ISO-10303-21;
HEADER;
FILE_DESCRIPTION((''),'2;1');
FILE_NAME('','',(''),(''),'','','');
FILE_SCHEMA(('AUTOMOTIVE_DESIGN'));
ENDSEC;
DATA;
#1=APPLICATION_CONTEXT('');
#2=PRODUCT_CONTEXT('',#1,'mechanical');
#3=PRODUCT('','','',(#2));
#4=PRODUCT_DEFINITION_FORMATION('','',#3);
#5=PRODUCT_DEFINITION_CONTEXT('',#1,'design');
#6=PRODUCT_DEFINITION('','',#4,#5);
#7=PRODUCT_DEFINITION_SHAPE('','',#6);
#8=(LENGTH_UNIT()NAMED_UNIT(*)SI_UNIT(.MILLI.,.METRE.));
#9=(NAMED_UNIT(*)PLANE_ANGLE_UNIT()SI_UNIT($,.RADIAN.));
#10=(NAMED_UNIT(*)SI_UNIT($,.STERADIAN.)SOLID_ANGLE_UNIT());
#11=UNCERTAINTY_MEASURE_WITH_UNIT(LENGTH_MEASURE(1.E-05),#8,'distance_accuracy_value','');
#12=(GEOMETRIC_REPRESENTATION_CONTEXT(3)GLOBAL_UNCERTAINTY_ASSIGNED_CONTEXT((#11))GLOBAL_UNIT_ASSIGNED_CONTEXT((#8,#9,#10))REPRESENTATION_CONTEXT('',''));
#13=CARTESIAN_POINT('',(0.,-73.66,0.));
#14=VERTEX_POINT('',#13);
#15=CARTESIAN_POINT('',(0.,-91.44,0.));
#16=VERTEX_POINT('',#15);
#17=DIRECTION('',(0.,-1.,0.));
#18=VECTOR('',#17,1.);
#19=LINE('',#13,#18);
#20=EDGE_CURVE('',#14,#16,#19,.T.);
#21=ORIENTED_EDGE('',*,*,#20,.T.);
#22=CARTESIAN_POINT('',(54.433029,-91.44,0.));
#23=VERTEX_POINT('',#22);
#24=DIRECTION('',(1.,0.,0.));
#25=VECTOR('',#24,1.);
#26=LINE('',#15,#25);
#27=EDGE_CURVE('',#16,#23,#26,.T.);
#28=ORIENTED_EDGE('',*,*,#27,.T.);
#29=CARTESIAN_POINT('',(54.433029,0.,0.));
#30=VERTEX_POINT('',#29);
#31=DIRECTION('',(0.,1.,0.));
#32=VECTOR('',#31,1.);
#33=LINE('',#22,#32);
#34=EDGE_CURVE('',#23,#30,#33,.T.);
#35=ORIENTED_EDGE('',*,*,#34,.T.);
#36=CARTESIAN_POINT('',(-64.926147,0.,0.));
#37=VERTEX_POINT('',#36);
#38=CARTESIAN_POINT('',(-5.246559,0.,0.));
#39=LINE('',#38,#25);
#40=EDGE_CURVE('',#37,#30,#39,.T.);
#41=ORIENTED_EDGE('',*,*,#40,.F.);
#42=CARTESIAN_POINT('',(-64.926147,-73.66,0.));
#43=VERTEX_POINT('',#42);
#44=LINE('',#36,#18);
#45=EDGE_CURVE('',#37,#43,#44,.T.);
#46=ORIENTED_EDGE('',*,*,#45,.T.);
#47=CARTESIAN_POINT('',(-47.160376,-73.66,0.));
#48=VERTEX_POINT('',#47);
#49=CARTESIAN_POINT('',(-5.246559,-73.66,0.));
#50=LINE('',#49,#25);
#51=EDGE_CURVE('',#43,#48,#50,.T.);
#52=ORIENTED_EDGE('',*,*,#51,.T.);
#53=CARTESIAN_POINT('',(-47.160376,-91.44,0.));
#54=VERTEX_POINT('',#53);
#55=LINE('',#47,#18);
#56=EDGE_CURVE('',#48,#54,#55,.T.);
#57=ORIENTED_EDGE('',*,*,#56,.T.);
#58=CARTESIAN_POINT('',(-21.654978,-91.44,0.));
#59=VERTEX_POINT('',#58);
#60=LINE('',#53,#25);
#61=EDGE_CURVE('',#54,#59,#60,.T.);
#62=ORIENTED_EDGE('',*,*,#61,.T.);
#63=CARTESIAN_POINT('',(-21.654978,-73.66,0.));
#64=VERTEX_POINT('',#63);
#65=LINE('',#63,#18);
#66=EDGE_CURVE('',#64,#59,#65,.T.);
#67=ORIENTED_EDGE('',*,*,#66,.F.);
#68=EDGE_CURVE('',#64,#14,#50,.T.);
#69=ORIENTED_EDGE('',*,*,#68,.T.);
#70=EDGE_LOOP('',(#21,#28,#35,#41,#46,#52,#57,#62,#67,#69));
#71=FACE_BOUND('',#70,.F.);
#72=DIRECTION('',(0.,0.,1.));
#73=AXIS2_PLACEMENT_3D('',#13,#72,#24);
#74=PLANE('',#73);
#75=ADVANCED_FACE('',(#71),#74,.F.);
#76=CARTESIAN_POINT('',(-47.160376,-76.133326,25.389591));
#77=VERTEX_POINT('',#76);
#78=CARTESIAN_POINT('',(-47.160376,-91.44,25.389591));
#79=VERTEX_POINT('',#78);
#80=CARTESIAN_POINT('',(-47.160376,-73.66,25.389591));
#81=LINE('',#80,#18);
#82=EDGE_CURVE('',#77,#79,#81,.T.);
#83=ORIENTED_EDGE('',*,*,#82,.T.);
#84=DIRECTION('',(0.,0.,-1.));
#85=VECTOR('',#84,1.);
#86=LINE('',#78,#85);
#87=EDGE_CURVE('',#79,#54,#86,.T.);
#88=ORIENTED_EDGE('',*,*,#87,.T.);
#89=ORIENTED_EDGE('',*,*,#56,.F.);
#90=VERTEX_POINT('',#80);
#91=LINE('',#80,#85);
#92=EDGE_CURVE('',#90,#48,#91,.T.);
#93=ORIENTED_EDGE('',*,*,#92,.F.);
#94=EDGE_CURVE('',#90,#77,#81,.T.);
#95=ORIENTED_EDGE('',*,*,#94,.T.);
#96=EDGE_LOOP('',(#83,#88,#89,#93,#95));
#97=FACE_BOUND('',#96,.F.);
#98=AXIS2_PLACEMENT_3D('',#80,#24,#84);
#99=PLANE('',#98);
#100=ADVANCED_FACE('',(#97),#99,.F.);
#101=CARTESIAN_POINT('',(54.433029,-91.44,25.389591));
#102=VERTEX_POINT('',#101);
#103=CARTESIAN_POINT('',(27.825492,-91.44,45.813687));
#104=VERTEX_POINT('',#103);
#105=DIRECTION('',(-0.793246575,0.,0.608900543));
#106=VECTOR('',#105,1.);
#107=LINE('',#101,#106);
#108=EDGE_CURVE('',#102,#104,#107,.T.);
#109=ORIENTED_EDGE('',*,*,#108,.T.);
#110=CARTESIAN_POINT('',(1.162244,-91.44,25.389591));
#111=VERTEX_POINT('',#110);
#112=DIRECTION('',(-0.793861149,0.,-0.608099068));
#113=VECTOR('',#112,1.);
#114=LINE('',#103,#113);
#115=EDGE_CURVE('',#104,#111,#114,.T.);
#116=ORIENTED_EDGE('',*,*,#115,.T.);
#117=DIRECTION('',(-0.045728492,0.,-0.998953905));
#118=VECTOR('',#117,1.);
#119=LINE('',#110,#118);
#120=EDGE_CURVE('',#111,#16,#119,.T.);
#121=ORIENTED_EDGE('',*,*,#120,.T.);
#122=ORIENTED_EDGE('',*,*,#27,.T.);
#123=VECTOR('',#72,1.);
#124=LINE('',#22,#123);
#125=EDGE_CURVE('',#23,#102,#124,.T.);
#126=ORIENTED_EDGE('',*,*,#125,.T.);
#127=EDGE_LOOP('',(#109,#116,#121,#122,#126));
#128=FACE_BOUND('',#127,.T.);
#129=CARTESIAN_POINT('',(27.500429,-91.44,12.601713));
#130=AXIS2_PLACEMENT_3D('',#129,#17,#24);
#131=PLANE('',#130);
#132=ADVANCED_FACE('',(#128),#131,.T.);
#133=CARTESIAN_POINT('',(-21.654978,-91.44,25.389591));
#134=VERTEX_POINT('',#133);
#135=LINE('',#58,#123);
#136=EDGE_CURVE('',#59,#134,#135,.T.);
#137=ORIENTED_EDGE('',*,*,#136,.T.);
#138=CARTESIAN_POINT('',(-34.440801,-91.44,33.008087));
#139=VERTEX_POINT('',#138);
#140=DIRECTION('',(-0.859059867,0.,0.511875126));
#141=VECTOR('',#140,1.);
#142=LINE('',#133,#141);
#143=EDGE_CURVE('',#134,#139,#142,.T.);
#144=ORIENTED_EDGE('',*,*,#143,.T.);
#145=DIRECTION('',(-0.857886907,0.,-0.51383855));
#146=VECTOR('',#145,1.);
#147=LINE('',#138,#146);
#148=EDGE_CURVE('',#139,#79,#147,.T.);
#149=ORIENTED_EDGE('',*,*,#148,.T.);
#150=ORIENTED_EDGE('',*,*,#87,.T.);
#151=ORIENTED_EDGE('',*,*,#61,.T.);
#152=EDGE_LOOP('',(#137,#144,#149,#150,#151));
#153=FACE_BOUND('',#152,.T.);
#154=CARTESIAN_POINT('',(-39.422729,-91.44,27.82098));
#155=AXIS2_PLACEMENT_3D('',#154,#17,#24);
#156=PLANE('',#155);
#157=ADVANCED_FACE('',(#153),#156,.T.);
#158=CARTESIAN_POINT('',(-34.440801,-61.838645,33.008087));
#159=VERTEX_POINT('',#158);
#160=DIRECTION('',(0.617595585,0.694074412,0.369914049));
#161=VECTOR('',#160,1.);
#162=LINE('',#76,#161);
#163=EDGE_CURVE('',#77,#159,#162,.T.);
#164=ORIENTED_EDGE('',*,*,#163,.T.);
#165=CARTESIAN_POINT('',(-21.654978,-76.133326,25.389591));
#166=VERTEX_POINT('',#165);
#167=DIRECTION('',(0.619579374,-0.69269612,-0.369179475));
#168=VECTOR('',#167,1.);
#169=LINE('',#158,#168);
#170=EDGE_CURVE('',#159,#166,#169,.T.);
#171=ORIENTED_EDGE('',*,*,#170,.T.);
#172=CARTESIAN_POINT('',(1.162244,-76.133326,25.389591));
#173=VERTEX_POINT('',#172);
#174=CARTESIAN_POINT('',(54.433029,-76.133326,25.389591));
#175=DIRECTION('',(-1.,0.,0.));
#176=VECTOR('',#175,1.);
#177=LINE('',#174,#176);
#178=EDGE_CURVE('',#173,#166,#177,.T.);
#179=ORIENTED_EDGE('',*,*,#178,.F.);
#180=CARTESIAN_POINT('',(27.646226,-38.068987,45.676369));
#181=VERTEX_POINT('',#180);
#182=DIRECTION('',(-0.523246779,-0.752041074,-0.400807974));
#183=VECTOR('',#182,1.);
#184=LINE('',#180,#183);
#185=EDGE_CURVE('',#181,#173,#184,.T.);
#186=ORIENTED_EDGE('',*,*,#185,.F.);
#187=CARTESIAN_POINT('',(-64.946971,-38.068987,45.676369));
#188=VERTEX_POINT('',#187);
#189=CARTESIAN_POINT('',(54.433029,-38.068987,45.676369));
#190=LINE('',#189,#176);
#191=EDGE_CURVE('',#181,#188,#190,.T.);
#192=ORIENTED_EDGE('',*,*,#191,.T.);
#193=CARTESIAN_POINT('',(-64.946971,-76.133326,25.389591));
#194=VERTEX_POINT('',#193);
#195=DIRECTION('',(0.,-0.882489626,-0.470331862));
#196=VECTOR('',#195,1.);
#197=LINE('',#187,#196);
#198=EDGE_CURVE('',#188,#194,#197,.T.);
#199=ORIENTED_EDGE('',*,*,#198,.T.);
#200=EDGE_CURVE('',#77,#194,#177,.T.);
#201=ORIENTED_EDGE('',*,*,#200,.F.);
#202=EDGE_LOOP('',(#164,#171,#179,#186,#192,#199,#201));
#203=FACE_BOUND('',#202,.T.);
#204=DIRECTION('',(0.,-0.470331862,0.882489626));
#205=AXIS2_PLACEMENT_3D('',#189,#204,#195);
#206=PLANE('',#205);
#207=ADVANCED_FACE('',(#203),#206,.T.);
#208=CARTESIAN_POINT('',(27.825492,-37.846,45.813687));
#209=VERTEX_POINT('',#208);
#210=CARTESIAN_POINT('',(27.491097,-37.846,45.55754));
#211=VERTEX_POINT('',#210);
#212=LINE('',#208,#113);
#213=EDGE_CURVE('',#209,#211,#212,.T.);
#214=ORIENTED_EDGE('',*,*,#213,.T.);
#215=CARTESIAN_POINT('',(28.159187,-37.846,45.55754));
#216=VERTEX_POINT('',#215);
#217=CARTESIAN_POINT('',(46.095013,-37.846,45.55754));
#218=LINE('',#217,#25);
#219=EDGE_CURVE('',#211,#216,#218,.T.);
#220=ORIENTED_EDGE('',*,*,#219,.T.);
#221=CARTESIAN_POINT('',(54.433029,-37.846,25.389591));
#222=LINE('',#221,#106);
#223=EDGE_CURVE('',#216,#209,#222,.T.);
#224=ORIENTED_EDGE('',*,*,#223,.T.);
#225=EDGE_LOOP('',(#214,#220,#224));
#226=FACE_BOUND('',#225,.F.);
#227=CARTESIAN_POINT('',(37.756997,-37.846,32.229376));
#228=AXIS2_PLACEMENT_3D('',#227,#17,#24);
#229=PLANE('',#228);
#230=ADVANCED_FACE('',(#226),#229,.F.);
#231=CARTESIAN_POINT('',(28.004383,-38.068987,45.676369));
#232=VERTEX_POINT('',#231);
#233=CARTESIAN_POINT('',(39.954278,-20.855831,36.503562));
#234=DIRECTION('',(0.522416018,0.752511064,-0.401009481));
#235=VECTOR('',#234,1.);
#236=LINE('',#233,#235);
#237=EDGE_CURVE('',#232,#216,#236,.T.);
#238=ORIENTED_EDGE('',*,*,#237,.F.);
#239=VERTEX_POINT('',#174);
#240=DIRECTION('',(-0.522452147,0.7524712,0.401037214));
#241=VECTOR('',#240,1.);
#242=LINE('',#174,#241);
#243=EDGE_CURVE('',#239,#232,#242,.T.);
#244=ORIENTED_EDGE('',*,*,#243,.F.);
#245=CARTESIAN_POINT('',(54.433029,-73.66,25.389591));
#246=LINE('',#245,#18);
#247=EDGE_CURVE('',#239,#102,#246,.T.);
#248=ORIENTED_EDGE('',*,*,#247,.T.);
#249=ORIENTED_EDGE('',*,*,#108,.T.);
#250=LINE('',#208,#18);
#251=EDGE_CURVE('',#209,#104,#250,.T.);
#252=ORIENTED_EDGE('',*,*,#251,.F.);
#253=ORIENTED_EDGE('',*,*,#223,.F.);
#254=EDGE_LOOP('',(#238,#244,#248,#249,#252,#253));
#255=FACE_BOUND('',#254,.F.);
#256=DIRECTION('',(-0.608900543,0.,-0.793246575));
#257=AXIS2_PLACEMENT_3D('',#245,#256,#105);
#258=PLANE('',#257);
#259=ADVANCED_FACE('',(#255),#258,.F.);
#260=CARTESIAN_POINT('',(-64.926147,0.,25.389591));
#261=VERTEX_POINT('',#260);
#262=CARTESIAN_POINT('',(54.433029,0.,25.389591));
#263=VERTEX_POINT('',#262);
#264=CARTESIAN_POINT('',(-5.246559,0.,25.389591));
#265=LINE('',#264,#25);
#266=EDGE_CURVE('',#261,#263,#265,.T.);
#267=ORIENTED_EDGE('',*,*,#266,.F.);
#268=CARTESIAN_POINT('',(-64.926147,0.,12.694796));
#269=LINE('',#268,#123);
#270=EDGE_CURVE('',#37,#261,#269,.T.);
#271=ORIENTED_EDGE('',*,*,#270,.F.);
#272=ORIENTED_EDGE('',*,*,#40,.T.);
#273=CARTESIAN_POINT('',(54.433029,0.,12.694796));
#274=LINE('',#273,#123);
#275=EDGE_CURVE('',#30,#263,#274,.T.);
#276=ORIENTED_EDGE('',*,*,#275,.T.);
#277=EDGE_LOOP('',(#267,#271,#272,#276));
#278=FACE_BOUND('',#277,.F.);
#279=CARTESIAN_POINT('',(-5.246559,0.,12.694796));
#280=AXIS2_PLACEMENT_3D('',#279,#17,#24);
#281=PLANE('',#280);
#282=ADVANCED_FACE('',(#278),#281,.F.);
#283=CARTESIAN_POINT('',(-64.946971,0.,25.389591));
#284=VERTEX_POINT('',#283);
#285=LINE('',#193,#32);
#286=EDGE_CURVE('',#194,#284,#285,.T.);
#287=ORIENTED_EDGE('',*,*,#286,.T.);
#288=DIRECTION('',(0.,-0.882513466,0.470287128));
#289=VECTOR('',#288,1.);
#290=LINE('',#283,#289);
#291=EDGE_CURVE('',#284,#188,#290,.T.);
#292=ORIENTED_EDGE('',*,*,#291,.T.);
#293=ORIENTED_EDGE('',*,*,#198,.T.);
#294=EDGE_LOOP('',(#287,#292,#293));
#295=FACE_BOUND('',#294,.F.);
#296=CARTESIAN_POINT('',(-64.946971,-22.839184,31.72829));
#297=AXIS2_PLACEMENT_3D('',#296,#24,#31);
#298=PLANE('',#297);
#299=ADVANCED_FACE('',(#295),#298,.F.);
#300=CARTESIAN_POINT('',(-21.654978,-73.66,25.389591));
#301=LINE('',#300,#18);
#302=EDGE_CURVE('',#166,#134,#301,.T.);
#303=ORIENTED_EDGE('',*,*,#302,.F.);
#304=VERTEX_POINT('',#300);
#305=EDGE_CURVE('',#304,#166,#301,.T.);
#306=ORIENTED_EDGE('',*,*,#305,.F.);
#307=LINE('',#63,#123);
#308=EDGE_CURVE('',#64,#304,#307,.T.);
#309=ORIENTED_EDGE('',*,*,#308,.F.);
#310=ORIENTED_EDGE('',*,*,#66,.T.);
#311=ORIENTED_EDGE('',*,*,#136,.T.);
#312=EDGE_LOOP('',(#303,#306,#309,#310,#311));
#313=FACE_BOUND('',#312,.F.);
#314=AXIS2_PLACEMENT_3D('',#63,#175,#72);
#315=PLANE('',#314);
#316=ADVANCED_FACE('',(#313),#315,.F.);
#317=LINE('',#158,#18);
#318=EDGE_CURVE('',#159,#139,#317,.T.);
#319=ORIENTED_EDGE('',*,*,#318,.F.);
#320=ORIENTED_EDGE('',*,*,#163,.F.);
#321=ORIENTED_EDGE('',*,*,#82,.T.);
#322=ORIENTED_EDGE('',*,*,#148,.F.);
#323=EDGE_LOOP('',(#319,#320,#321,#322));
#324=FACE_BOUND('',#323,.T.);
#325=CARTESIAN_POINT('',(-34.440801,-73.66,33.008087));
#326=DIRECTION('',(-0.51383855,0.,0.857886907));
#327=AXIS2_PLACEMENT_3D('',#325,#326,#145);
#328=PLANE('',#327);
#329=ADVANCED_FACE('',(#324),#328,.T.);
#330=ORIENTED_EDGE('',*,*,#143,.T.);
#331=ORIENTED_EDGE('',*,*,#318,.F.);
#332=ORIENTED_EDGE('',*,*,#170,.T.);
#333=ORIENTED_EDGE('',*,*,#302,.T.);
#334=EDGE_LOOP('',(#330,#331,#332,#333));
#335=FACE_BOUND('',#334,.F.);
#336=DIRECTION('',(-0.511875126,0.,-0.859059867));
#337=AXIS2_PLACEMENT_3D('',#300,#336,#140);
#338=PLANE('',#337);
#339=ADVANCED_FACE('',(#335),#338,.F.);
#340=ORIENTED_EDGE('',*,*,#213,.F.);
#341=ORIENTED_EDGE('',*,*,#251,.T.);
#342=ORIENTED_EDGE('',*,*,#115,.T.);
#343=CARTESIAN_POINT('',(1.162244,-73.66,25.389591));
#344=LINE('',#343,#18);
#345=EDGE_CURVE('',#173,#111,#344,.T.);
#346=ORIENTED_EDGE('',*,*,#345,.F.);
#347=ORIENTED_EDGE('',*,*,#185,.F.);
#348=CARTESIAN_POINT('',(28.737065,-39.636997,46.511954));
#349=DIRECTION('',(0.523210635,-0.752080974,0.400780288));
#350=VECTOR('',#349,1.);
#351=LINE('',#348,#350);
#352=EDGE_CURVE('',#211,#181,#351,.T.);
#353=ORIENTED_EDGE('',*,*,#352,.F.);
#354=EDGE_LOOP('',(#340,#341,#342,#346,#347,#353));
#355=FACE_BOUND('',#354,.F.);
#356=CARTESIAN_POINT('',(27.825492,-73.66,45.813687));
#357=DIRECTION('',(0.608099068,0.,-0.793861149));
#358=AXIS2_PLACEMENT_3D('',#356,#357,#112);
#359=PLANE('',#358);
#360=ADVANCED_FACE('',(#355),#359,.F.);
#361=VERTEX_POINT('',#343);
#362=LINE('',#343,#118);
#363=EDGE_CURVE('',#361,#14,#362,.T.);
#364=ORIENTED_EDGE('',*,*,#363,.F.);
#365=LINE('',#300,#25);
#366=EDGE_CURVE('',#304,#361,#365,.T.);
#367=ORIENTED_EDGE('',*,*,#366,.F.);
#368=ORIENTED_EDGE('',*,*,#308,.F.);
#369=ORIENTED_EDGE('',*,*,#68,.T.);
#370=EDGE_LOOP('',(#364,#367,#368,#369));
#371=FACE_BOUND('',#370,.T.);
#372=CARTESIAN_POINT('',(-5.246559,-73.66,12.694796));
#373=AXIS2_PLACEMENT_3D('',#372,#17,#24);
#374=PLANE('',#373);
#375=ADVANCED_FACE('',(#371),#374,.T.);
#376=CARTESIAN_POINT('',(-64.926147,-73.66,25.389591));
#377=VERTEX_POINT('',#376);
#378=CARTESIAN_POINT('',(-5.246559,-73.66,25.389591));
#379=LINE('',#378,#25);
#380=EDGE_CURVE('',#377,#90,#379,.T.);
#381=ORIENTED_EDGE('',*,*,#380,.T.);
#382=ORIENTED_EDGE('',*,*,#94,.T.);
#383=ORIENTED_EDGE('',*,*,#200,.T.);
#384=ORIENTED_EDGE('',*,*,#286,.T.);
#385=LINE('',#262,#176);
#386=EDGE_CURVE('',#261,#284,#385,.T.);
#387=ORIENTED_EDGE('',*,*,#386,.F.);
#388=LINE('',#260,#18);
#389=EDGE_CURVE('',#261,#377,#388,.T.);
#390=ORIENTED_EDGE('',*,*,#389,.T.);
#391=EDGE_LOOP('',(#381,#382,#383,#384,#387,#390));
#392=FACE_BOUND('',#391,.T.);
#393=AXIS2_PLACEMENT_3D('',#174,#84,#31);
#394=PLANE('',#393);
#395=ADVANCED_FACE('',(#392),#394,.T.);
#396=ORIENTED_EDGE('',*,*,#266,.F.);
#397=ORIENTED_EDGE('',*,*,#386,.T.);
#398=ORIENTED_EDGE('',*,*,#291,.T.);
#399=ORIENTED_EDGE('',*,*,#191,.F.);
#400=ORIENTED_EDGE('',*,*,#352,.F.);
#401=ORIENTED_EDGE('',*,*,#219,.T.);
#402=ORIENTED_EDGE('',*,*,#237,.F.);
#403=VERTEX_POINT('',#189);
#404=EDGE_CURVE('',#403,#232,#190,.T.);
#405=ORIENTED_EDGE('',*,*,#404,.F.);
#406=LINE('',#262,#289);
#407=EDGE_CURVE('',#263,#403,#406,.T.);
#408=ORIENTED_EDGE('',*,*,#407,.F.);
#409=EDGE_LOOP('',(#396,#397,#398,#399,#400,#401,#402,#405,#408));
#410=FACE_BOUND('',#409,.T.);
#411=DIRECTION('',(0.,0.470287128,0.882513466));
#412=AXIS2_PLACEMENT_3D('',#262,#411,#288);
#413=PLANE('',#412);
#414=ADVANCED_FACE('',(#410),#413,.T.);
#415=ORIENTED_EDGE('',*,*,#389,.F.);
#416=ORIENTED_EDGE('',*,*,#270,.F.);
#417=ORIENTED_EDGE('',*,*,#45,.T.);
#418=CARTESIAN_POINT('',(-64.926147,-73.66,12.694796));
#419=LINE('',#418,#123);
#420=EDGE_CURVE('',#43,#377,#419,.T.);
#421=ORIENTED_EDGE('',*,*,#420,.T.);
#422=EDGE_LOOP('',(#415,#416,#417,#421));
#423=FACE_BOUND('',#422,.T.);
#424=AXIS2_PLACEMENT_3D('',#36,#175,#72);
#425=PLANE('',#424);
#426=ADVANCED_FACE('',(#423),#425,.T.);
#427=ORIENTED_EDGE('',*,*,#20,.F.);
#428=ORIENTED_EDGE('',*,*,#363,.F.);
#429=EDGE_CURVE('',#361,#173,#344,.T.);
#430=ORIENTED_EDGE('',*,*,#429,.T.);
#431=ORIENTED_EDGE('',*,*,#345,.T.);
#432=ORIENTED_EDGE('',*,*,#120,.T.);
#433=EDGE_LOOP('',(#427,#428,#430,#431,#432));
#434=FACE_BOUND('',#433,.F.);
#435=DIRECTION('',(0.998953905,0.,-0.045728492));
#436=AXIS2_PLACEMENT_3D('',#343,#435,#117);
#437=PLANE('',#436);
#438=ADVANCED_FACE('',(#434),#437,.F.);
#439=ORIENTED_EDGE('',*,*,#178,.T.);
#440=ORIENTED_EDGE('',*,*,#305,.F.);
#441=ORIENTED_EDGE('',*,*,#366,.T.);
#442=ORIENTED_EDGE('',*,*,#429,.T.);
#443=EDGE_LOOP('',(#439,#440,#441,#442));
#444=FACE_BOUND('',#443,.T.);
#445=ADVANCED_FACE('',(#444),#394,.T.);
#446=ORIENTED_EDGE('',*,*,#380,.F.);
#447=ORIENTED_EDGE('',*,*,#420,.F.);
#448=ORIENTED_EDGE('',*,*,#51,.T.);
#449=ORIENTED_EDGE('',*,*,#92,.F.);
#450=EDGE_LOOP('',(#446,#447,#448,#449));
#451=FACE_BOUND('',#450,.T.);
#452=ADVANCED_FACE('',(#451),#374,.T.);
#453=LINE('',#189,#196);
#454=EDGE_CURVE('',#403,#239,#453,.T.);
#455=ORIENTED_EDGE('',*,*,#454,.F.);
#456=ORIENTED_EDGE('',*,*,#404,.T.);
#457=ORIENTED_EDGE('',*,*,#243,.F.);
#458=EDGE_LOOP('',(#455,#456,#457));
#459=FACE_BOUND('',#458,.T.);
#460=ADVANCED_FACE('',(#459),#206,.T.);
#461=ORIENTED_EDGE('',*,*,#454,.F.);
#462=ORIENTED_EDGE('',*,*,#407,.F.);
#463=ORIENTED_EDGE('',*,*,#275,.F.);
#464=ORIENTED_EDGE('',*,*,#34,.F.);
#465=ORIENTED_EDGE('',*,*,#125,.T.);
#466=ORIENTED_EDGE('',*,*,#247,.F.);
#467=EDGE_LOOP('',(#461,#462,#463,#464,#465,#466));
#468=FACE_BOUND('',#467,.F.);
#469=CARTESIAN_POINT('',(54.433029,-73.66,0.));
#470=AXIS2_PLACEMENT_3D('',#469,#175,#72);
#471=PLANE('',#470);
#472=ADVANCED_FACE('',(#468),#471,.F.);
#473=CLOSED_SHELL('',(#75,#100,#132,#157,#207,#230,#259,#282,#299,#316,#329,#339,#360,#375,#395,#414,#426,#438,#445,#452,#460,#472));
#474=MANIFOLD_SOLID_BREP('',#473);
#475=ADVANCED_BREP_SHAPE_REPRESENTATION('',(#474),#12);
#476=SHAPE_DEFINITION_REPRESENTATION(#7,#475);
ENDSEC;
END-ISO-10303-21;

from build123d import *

# Parameters (mm, degrees)
F0_W     = 119.3591766059
F0_H     = 25.3895912319
F1_DEPTH = 73.66
F3_DEPTH = 119.38
F5_DEPTH = 35.814
F6_DEPTH = 17.78


with BuildPart() as f1:
    # F0 (on Front) → F1 (new body)
    with BuildSketch(Plane.XZ):
        with Locations((-5.246559158, 12.694795616)):
            Rectangle(F0_W, F0_H)
    extrude(amount=F1_DEPTH)

    # F2 (on face) → F3 (join)
    with BuildSketch(Plane.YZ.offset(54.433029145)):
        Polygon((-38.0689874291, 25.3895912319), (0, 25.3895912319), (-38.0689874291, 45.67636922), align=None)
        Polygon((-76.133325696, 25.3895912319), (-38.0689874291, 25.3895912319), (-38.0689874291, 45.67636922), align=None)
    extrude(amount=-F3_DEPTH)

    # F4 (on face) → F5 (join)
    with BuildSketch(Plane.XZ.offset(73.66)):
        Polygon((-34.4408005476, 25.3895912319), (-21.6549783945, 25.3895912319), (-34.4408005476, 33.0080874264), align=None)
        Polygon((27.8254915029, 25.3895912319), (54.433029145, 25.3895912319), (27.8254915029, 45.8136871457), align=None)
        Polygon((1.1622435413, 25.3895912319), (27.8254915029, 25.3895912319), (27.8254915029, 45.8136871457), align=None)
        Polygon((-47.1603758633, 25.3895912319), (-34.4408005476, 25.3895912319), (-34.4408005476, 33.0080874264), align=None)
    extrude(amount=-F5_DEPTH)

    # F4 (on face) → F6 (join)
    with BuildSketch(Plane.XZ.offset(73.66)):
        Polygon((54.433029145, 0), (54.433029145, 25.3895912319), (27.8254915029, 25.3895912319), (1.1622435413, 25.3895912319), (0, 0), align=None)
        Polygon((27.8254915029, 25.3895912319), (54.433029145, 25.3895912319), (27.8254915029, 45.8136871457), align=None)
        Polygon((1.1622435413, 25.3895912319), (27.8254915029, 25.3895912319), (27.8254915029, 45.8136871457), align=None)
        Polygon((-34.4408005476, 33.0080874264), (-47.1603758633, 25.3895912319), (-34.4408005476, 25.3895912319), align=None)
        Polygon((-34.4408005476, 25.3895912319), (-47.1603758633, 25.3895912319), (-47.1603758633, 0), (-21.6549783945, 0), (-21.6549783945, 25.3895912319), align=None)
        Polygon((-34.4408005476, 33.0080874264), (-34.4408005476, 25.3895912319), (-21.6549783945, 25.3895912319), align=None)
    extrude(amount=F6_DEPTH)


solid = f1.part
